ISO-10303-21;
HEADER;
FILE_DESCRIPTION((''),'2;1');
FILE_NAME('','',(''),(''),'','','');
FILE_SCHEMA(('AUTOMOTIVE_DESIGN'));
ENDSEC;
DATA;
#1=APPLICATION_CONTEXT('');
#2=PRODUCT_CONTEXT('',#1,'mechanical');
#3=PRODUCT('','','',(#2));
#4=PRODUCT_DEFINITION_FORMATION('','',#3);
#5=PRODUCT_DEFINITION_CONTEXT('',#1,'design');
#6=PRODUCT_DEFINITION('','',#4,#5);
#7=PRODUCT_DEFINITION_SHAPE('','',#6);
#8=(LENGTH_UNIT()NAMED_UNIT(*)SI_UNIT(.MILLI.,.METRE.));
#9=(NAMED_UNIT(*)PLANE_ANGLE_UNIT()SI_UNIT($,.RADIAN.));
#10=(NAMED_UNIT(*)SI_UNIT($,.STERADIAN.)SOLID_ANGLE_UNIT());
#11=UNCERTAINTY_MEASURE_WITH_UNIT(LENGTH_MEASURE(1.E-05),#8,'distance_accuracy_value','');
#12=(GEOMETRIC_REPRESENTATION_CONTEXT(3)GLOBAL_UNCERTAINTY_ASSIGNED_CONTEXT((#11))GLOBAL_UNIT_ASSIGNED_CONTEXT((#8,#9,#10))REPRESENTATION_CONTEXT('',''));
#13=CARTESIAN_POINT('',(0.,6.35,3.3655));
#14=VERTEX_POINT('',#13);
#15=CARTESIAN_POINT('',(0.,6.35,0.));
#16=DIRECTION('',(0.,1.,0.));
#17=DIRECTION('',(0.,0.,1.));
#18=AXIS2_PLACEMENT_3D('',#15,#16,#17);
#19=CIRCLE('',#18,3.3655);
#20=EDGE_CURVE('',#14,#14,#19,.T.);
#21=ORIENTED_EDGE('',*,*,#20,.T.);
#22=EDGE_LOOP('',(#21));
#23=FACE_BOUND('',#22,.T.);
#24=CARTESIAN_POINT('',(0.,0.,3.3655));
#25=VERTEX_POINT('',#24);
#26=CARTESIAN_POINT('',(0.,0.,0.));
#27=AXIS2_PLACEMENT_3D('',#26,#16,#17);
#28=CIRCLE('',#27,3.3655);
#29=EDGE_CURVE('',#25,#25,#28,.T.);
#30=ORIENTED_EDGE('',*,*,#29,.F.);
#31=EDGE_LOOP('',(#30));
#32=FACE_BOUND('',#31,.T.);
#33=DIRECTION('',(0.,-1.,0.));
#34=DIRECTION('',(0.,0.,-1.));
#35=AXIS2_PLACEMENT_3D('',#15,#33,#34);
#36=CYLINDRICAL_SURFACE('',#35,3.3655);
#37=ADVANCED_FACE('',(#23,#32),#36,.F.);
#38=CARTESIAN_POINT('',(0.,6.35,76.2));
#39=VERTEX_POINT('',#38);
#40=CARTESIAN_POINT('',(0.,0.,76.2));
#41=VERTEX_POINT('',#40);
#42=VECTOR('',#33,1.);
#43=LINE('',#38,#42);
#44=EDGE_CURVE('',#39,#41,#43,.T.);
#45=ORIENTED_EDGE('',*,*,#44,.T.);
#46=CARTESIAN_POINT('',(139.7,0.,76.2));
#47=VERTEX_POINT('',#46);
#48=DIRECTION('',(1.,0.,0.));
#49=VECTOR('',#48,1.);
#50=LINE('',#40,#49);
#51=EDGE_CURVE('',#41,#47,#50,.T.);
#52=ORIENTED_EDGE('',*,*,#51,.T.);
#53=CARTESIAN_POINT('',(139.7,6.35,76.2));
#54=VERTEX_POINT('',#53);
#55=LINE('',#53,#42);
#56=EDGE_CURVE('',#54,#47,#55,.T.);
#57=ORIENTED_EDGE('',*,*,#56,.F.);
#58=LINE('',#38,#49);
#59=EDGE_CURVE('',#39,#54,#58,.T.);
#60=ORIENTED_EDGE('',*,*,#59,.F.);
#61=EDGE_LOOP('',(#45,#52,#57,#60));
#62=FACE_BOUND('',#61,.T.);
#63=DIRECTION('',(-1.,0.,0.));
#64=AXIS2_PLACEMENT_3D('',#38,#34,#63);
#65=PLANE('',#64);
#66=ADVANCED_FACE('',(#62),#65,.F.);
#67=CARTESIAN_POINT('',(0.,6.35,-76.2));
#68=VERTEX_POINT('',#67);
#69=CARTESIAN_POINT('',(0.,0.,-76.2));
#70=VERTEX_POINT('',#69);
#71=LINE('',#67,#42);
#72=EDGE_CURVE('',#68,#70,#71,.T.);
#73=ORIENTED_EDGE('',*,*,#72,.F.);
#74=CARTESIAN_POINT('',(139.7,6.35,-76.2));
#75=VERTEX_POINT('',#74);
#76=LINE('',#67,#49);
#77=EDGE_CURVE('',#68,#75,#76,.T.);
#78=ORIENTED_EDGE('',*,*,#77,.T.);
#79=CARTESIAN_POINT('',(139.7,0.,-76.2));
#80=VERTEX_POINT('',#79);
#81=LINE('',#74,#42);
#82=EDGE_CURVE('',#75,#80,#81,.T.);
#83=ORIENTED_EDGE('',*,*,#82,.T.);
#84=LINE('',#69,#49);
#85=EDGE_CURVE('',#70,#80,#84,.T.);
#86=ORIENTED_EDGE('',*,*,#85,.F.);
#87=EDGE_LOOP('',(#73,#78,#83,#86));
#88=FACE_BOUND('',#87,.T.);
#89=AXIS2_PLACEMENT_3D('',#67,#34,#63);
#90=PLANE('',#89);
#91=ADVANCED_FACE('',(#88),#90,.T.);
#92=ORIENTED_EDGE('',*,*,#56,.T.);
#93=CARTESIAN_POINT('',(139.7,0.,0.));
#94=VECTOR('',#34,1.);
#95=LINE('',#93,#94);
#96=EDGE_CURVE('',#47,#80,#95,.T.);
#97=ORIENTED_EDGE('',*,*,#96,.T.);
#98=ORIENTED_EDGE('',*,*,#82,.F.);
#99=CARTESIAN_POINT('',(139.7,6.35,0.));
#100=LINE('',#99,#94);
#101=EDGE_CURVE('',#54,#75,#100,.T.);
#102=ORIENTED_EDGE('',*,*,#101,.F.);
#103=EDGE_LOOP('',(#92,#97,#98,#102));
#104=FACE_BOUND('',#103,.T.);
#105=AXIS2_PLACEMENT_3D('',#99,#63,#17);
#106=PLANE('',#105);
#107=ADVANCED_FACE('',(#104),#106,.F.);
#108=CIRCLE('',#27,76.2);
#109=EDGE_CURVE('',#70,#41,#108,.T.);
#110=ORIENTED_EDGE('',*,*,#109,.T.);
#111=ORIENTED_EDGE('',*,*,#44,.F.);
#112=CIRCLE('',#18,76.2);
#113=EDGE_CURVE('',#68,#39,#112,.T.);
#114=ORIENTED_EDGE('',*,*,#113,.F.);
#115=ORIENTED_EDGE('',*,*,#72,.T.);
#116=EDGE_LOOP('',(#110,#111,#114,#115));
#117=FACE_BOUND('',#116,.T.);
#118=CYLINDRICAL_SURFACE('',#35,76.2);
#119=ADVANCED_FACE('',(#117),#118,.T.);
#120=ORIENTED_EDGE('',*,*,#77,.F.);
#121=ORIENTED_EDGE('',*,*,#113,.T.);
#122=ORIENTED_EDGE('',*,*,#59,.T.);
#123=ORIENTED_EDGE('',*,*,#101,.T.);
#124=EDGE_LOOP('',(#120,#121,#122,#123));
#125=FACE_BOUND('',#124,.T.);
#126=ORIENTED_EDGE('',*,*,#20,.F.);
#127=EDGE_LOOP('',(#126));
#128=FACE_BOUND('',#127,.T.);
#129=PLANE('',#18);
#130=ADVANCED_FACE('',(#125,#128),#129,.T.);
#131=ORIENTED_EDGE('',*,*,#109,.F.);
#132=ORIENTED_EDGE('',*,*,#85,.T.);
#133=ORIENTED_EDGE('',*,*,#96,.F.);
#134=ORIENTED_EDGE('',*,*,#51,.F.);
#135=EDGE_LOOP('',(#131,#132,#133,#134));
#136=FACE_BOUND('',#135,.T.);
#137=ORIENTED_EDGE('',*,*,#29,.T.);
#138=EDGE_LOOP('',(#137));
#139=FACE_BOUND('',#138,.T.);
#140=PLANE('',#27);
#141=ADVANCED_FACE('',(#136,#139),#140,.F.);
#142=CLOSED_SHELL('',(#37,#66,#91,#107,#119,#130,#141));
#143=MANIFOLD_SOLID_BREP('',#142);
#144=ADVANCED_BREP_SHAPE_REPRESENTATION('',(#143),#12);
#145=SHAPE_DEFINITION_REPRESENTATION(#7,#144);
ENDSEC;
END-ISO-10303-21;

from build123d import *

# Parameters (mm, degrees)
BOSS_EXTRUDE1_DEPTH = 6.35


with BuildPart() as part:
    # Sketch1 → Boss-Extrude1 (new body)
    with BuildSketch(Plane(origin=(0, 0, 0), x_dir=(1, 0, 0), z_dir=(0, 1, 0))):
        with BuildLine():
            ThreePointArc((0, 76.2), (-76.2, 0), (0, -76.2))
            Line((0, -76.2), (0, -3.3655))
            ThreePointArc((0, -3.3655), (-3.3655, 0), (0, 3.3655))
            Line((0, 3.3655), (0, 76.2))
        make_face()
        with BuildLine():
            Line((0, -3.3655), (0, -76.2))
            ThreePointArc((0, -76.2), (53.881536726, -53.881536726), (76.2, 0))
            ThreePointArc((76.2, 0), (53.881536726, 53.881536726), (0, 76.2))
            Line((0, 76.2), (0, 3.3655))
            ThreePointArc((0, 3.3655), (2.379767872, 2.379767872), (3.3655, 0))
            ThreePointArc((3.3655, 0), (2.379767872, -2.379767872), (0, -3.3655))
        make_face()
        with BuildLine():
            ThreePointArc((76.2, 0), (53.881536726, -53.881536726), (0, -76.2))
            Line((0, -76.2), (139.7, -76.2))
            Line((139.7, -76.2), (139.7, 76.2))
            Line((139.7, 76.2), (0, 76.2))
            ThreePointArc((0, 76.2), (53.881536726, 53.881536726), (76.2, 0))
        make_face()
    extrude(amount=BOSS_EXTRUDE1_DEPTH)


solid = part.part
